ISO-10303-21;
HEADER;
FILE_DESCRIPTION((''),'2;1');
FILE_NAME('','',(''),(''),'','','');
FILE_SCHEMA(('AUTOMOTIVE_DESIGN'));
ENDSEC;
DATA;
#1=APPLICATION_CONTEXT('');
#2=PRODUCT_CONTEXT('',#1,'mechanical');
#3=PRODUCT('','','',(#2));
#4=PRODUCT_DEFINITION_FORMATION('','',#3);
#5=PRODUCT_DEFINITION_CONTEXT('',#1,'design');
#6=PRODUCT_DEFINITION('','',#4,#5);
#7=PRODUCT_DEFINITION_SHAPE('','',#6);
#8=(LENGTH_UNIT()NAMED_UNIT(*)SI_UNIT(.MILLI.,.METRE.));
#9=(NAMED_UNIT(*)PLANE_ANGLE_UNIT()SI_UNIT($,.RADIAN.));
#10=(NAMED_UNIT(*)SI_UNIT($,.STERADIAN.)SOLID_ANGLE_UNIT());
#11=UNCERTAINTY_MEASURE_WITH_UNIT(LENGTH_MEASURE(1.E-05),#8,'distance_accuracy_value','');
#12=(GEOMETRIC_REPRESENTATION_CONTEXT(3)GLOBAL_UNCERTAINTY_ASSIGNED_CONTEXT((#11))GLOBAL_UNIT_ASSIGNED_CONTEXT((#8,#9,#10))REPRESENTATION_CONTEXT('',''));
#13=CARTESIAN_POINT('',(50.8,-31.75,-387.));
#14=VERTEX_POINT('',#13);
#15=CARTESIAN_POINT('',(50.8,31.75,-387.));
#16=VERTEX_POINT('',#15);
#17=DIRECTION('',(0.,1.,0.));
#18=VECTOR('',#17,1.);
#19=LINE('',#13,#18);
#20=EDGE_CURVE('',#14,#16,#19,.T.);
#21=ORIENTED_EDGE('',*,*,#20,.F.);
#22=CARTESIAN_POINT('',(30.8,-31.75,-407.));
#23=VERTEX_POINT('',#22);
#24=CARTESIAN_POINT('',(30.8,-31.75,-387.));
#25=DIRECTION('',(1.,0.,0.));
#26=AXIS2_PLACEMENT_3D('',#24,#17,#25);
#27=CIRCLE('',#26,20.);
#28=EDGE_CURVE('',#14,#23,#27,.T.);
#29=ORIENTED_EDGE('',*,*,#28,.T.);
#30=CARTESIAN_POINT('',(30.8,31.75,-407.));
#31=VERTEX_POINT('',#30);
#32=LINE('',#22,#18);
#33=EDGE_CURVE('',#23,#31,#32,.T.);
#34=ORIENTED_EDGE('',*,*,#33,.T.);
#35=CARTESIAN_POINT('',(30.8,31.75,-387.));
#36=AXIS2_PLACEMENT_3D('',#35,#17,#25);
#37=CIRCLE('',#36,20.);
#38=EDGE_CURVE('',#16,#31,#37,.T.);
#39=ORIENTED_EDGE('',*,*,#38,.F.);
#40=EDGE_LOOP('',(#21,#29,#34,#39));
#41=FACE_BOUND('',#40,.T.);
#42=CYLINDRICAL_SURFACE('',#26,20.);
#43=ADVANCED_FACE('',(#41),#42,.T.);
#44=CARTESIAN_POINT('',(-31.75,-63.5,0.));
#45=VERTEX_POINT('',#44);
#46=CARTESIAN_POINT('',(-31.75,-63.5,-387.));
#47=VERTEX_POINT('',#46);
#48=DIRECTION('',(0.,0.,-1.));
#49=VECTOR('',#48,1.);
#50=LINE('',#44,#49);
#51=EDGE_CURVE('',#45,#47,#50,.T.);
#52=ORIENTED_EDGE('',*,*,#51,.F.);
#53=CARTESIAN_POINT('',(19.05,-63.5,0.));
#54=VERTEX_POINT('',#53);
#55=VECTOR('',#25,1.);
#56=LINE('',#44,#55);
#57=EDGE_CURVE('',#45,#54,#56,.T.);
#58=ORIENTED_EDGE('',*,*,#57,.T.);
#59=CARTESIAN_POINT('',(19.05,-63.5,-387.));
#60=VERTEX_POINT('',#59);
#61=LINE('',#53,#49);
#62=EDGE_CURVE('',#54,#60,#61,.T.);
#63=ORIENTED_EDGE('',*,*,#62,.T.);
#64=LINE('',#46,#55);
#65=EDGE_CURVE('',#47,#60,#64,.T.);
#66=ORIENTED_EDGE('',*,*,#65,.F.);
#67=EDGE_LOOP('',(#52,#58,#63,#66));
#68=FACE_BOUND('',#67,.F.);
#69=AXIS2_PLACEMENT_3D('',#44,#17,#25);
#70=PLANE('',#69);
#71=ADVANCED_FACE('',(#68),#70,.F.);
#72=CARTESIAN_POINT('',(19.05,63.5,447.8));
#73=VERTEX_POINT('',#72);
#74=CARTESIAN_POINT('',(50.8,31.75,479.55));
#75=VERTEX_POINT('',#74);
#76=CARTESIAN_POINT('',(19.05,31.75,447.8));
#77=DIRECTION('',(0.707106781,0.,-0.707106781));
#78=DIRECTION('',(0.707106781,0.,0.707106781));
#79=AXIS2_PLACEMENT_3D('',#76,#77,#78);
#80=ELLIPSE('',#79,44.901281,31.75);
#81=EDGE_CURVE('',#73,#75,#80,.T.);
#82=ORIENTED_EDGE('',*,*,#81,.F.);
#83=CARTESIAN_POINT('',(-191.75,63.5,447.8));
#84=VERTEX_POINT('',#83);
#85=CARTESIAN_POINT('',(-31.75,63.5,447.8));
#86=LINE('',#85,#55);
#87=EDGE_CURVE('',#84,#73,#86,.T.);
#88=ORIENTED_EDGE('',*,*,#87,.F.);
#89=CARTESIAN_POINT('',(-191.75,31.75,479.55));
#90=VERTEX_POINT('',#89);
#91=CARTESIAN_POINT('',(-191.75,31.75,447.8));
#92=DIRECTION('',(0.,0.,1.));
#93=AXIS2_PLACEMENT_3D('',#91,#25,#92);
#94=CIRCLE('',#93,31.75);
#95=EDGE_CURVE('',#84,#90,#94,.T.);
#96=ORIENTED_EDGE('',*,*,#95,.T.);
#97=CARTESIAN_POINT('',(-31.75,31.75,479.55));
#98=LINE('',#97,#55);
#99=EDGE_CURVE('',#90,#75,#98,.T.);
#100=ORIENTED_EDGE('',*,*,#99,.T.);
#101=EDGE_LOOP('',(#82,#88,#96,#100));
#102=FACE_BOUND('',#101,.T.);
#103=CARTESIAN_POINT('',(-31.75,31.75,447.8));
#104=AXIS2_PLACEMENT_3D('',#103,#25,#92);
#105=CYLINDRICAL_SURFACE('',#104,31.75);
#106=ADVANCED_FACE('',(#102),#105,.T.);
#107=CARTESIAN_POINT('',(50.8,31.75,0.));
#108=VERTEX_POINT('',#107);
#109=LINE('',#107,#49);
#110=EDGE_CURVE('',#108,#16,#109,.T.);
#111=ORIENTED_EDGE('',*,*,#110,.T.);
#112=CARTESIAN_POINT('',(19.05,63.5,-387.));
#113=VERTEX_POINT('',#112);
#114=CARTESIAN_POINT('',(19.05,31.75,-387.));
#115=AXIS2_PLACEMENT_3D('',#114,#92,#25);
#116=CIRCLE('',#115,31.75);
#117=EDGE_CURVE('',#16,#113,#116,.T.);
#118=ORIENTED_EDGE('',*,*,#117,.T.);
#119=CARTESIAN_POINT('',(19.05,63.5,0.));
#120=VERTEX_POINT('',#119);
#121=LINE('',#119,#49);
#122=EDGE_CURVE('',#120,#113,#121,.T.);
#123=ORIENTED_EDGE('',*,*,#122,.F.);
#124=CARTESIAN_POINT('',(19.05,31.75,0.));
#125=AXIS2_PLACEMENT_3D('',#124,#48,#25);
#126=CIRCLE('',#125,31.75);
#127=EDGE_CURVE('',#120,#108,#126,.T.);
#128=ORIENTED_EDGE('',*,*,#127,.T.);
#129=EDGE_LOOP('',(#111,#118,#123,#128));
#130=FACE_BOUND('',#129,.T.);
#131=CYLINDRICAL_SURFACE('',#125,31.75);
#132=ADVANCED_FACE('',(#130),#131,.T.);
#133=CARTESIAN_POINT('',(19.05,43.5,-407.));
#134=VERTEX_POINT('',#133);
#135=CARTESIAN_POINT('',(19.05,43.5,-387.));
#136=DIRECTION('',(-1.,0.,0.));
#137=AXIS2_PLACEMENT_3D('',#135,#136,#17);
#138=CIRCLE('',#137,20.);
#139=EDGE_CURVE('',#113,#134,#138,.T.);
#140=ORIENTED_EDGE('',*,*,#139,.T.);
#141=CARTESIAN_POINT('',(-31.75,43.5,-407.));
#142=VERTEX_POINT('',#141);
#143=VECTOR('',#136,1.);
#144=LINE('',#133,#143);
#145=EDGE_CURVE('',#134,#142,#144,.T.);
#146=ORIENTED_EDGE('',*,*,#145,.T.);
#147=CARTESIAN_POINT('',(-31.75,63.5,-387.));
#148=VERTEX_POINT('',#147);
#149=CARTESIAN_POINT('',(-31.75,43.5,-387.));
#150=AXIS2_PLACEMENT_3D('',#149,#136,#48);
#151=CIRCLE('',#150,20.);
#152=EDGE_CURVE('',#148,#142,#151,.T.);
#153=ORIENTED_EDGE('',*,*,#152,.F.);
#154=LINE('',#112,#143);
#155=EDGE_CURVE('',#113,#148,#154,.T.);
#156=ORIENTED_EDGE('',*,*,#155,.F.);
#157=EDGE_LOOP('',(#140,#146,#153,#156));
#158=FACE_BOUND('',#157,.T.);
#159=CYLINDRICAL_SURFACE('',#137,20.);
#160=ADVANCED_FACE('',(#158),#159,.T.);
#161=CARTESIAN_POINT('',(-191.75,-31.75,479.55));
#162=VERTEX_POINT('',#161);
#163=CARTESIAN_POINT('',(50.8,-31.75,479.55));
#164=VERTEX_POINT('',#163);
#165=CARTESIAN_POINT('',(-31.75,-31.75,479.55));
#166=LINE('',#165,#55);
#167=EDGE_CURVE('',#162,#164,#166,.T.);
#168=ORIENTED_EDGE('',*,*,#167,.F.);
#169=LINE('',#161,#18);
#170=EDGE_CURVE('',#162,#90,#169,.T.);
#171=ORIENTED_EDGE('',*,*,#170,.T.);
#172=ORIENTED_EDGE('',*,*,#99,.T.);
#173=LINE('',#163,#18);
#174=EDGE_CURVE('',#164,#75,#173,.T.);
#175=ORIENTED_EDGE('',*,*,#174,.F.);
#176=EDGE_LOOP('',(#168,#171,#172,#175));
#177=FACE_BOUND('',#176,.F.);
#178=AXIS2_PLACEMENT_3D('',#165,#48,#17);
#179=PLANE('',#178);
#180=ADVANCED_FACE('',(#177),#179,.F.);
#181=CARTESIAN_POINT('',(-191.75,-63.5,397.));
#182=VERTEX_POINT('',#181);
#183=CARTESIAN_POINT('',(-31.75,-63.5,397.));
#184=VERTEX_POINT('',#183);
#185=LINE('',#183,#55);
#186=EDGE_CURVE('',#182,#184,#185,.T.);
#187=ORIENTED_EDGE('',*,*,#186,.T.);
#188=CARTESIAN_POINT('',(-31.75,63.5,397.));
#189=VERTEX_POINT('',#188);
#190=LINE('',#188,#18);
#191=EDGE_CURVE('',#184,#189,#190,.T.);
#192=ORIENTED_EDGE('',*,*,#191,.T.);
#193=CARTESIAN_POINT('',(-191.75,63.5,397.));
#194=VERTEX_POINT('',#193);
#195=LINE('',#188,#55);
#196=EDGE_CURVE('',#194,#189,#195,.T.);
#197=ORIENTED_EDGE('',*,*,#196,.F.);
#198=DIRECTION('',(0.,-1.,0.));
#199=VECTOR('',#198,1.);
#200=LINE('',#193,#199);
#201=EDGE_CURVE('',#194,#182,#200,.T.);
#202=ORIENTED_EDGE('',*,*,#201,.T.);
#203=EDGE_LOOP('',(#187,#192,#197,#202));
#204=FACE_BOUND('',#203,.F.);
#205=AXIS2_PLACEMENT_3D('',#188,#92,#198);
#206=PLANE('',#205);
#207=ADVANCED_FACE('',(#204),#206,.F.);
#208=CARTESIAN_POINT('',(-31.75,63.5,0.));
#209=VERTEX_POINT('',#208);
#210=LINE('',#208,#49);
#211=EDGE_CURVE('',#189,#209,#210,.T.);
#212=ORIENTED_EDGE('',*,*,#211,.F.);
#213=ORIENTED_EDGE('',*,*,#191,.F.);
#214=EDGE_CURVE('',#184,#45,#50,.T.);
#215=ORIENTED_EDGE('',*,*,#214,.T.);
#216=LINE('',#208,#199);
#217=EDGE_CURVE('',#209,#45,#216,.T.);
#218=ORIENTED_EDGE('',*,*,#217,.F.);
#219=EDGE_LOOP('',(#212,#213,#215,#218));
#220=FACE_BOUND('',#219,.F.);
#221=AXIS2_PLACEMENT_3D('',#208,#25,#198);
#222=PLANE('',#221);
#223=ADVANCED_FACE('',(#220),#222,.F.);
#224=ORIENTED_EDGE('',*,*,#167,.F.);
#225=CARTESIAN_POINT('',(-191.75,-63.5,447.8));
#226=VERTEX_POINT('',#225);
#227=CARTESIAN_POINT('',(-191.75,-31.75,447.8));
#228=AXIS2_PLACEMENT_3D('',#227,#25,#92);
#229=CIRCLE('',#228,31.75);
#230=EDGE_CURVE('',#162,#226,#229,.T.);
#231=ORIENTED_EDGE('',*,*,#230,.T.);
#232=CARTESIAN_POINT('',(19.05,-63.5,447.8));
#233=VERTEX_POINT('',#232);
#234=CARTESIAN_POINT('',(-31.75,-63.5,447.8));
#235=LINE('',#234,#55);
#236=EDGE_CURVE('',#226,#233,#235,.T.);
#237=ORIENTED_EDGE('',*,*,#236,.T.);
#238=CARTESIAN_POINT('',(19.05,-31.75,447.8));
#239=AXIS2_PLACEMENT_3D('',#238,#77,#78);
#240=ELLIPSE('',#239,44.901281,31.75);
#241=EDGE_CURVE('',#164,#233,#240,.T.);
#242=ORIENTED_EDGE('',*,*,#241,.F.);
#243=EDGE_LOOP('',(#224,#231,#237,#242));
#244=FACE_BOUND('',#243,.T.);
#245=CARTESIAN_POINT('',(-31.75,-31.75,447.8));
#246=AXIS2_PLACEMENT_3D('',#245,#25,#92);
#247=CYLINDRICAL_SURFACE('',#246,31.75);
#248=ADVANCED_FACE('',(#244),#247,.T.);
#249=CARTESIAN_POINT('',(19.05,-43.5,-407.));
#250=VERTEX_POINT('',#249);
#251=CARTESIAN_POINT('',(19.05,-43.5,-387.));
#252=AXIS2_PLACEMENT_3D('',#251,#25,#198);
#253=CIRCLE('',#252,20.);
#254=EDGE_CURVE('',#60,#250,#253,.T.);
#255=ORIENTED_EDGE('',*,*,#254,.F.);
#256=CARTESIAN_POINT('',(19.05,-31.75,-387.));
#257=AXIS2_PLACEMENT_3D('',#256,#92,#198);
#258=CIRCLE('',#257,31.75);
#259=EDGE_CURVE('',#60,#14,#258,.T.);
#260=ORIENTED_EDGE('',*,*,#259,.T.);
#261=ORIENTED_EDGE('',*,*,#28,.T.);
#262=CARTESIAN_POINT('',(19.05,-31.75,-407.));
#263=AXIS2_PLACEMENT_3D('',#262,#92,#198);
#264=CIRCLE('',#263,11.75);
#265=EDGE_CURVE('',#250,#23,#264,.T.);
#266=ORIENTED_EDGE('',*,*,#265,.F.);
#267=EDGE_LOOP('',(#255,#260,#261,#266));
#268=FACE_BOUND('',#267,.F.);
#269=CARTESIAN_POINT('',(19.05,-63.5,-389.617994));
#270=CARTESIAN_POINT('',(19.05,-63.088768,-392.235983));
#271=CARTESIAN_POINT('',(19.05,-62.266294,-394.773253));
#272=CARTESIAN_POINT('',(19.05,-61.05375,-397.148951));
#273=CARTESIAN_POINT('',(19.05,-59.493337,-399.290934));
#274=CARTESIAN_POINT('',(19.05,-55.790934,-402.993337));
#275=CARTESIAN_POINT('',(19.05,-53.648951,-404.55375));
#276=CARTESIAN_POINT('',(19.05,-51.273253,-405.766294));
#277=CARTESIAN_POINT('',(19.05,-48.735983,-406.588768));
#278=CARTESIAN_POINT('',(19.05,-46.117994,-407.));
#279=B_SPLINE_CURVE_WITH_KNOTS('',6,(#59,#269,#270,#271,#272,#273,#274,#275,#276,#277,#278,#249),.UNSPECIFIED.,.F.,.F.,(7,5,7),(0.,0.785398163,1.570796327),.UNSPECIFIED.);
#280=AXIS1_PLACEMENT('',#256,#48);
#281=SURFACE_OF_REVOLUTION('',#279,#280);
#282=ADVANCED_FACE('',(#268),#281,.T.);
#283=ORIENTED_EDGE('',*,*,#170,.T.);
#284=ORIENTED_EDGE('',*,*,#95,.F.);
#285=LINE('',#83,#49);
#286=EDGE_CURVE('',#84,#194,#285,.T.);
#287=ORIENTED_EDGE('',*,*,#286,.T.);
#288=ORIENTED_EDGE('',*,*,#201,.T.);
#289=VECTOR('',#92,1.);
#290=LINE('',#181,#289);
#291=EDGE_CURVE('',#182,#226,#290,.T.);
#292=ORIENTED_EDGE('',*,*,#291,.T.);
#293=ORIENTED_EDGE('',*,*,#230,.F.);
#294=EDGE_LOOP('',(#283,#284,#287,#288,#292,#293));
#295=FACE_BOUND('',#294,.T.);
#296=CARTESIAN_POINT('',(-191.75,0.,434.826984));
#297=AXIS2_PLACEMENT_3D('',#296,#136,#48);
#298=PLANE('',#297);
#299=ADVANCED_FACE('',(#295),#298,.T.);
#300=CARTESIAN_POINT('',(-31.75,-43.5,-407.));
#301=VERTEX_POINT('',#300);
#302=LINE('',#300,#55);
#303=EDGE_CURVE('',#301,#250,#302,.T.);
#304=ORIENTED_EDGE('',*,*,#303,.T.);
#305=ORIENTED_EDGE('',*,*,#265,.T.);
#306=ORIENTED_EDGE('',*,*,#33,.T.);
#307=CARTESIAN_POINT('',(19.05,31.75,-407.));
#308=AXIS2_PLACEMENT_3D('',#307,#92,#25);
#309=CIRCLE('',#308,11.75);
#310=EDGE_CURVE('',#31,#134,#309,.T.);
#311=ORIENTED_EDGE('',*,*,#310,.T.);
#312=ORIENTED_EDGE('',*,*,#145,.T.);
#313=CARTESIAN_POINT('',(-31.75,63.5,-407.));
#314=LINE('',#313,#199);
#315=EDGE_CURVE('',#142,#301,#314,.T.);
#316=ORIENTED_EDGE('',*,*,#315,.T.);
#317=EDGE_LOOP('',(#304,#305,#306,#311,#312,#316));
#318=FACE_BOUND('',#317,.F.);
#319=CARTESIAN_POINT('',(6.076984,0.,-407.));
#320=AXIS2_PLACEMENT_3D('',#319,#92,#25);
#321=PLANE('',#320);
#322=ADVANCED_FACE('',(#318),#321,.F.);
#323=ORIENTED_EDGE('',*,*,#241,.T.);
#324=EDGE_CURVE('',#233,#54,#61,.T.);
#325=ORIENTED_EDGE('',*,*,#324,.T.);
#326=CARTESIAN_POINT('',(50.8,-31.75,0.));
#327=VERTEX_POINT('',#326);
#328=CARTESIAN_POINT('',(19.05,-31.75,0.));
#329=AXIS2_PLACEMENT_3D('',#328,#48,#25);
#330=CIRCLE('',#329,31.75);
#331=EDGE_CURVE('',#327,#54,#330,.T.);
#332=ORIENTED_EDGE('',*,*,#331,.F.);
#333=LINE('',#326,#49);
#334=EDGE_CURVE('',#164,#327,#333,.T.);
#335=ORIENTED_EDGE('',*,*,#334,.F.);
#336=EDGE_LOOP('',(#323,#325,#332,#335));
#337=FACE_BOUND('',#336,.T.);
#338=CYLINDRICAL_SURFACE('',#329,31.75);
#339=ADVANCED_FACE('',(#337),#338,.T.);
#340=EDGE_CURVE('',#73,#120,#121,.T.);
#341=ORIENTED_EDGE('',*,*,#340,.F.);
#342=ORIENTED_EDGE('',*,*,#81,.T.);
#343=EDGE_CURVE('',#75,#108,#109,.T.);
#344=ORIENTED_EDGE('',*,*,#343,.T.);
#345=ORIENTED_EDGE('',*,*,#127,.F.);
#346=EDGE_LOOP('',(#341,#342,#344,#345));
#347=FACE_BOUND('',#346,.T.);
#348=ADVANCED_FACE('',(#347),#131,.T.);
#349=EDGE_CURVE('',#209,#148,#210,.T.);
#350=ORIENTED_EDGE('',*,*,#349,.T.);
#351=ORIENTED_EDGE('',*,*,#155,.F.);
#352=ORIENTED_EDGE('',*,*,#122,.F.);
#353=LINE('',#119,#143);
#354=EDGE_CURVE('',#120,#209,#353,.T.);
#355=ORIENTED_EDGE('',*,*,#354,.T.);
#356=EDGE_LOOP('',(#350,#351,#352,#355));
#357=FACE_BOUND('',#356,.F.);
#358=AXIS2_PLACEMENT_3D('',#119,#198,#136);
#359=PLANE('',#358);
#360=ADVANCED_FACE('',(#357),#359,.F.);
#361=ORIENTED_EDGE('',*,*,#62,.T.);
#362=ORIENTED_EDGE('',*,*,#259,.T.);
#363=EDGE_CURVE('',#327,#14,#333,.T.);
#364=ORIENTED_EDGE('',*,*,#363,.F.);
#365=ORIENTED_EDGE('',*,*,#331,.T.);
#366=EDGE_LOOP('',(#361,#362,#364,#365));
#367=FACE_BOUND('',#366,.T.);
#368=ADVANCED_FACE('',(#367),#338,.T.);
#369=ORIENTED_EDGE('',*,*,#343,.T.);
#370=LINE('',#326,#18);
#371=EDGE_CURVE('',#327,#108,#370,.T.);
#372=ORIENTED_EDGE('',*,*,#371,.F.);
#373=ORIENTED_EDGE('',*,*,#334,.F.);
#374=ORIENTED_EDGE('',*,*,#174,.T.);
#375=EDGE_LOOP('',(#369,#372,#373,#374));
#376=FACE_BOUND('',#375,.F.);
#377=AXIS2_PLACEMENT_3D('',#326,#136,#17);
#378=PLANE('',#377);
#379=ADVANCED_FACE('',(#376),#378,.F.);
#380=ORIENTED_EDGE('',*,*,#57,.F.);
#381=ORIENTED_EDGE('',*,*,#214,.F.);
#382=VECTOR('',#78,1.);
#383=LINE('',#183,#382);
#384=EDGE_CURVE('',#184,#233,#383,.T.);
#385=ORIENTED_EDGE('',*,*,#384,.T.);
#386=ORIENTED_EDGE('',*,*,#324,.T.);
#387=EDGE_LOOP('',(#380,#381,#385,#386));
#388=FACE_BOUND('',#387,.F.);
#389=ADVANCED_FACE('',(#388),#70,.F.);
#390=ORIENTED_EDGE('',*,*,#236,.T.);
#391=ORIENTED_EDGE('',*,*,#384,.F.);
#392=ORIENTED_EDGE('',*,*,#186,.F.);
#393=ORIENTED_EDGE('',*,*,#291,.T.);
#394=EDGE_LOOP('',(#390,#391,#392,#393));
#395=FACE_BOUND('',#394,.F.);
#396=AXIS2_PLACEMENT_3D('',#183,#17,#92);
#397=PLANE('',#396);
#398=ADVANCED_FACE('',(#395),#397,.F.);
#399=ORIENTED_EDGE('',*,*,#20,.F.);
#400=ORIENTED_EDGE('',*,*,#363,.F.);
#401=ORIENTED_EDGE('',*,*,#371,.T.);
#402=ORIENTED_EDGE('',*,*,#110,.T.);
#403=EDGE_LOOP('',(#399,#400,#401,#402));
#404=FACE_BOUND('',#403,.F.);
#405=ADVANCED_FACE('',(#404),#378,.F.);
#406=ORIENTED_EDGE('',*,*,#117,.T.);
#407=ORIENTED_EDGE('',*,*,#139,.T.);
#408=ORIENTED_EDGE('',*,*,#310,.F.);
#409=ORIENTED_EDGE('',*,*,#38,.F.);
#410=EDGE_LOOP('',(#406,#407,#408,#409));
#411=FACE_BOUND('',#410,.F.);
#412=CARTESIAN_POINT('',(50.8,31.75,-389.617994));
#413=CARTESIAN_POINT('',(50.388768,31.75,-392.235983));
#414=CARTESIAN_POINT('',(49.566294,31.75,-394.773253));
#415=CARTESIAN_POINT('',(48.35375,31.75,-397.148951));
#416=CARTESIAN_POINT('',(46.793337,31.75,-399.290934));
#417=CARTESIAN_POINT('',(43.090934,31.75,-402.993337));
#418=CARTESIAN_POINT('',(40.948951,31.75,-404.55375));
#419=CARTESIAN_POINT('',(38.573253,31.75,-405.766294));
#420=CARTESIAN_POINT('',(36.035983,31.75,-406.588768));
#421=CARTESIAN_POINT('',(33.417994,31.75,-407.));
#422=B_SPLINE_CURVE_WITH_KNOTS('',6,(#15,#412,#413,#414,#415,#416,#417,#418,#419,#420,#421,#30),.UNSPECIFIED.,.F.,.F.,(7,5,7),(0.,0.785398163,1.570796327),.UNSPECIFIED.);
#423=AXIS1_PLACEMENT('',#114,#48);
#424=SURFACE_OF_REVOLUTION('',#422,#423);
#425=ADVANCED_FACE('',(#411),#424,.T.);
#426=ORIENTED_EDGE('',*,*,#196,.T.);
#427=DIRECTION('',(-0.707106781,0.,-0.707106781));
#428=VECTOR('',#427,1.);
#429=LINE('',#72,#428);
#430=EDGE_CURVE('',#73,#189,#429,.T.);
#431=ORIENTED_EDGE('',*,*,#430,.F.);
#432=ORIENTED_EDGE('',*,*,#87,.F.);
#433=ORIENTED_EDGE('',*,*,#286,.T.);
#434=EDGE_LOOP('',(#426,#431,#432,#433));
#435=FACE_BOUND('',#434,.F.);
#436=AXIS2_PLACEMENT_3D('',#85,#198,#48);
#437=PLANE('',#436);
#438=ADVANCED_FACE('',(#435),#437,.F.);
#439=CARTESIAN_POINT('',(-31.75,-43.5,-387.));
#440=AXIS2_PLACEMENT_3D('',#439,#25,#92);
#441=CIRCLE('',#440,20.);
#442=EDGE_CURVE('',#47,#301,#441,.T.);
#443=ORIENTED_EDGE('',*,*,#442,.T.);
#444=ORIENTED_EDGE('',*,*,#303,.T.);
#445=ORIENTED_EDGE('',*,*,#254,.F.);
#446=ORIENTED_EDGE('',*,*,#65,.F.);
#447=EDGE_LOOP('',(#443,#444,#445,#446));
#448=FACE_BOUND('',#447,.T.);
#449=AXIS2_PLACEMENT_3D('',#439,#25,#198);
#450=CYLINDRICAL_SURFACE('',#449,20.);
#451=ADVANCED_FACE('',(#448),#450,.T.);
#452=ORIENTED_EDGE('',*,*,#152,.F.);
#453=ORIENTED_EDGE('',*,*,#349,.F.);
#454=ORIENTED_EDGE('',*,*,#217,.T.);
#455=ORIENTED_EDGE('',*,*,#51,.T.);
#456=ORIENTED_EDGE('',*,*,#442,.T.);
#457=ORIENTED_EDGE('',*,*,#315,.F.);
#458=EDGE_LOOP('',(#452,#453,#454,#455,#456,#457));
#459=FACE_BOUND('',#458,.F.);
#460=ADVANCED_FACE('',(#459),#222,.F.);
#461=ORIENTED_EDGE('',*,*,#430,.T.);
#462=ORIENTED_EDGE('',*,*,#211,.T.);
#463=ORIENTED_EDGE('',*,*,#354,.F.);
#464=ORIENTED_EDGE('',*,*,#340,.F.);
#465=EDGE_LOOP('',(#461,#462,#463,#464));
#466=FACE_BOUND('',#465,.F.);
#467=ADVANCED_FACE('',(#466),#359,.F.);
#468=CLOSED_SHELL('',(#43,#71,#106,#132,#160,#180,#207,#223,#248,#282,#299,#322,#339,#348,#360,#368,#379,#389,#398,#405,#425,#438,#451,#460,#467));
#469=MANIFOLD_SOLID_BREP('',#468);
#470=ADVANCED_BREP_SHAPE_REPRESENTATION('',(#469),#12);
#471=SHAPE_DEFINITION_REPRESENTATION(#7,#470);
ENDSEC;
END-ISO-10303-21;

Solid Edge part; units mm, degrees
sketch "Sketch1" plane through (0, 0, 0) normal (0, 1, 0) x (-1, 0, 0)
  line L0 (31.75, 0) -> (31.75, -407)
  line L1 (31.75, 0) -> (31.75, 397)
  line L2 (31.75, 397) -> (191.75, 397)
  dimension "D1" = 31.75
  dimension "D2" = 397
  dimension "D3" = 407
  dimension "D4" = 350
  dimension "D5" = 160
sketch "Sketch2" plane through (0, 0, 0) normal (0, 0, 1) x (1, 0, 0)
  line L0 (50.8, -31.75) -> (50.8, 31.75)
  arc A0 (19.05, 63.5) -> (50.8, 31.75) centre (19.05, 31.75) cw
  line L1 (19.05, 63.5) -> (-31.75, 63.5)
  line L2 (-31.75, 63.5) -> (-31.75, -63.5)
  line L3 (-31.75, -63.5) -> (19.05, -63.5)
  arc A1 (50.8, -31.75) -> (19.05, -63.5) centre (19.05, -31.75) cw
  dimension "D1" = 31.75
  dimension "D2" = 31.75
  dimension "D3" = 82.55
sweep "SweptProtrusion_2" add profiles "Sketch2" path "Sketch1"
fillet "Round1" radius 20 5 edges at (-6.35, 63.5, -407) (41.5006, 54.2006, -407) (50.8, 0, -407) (41.5006, -54.2006, -407) (-6.35, -63.5, -407)
properties part number "BumbleB0909"
